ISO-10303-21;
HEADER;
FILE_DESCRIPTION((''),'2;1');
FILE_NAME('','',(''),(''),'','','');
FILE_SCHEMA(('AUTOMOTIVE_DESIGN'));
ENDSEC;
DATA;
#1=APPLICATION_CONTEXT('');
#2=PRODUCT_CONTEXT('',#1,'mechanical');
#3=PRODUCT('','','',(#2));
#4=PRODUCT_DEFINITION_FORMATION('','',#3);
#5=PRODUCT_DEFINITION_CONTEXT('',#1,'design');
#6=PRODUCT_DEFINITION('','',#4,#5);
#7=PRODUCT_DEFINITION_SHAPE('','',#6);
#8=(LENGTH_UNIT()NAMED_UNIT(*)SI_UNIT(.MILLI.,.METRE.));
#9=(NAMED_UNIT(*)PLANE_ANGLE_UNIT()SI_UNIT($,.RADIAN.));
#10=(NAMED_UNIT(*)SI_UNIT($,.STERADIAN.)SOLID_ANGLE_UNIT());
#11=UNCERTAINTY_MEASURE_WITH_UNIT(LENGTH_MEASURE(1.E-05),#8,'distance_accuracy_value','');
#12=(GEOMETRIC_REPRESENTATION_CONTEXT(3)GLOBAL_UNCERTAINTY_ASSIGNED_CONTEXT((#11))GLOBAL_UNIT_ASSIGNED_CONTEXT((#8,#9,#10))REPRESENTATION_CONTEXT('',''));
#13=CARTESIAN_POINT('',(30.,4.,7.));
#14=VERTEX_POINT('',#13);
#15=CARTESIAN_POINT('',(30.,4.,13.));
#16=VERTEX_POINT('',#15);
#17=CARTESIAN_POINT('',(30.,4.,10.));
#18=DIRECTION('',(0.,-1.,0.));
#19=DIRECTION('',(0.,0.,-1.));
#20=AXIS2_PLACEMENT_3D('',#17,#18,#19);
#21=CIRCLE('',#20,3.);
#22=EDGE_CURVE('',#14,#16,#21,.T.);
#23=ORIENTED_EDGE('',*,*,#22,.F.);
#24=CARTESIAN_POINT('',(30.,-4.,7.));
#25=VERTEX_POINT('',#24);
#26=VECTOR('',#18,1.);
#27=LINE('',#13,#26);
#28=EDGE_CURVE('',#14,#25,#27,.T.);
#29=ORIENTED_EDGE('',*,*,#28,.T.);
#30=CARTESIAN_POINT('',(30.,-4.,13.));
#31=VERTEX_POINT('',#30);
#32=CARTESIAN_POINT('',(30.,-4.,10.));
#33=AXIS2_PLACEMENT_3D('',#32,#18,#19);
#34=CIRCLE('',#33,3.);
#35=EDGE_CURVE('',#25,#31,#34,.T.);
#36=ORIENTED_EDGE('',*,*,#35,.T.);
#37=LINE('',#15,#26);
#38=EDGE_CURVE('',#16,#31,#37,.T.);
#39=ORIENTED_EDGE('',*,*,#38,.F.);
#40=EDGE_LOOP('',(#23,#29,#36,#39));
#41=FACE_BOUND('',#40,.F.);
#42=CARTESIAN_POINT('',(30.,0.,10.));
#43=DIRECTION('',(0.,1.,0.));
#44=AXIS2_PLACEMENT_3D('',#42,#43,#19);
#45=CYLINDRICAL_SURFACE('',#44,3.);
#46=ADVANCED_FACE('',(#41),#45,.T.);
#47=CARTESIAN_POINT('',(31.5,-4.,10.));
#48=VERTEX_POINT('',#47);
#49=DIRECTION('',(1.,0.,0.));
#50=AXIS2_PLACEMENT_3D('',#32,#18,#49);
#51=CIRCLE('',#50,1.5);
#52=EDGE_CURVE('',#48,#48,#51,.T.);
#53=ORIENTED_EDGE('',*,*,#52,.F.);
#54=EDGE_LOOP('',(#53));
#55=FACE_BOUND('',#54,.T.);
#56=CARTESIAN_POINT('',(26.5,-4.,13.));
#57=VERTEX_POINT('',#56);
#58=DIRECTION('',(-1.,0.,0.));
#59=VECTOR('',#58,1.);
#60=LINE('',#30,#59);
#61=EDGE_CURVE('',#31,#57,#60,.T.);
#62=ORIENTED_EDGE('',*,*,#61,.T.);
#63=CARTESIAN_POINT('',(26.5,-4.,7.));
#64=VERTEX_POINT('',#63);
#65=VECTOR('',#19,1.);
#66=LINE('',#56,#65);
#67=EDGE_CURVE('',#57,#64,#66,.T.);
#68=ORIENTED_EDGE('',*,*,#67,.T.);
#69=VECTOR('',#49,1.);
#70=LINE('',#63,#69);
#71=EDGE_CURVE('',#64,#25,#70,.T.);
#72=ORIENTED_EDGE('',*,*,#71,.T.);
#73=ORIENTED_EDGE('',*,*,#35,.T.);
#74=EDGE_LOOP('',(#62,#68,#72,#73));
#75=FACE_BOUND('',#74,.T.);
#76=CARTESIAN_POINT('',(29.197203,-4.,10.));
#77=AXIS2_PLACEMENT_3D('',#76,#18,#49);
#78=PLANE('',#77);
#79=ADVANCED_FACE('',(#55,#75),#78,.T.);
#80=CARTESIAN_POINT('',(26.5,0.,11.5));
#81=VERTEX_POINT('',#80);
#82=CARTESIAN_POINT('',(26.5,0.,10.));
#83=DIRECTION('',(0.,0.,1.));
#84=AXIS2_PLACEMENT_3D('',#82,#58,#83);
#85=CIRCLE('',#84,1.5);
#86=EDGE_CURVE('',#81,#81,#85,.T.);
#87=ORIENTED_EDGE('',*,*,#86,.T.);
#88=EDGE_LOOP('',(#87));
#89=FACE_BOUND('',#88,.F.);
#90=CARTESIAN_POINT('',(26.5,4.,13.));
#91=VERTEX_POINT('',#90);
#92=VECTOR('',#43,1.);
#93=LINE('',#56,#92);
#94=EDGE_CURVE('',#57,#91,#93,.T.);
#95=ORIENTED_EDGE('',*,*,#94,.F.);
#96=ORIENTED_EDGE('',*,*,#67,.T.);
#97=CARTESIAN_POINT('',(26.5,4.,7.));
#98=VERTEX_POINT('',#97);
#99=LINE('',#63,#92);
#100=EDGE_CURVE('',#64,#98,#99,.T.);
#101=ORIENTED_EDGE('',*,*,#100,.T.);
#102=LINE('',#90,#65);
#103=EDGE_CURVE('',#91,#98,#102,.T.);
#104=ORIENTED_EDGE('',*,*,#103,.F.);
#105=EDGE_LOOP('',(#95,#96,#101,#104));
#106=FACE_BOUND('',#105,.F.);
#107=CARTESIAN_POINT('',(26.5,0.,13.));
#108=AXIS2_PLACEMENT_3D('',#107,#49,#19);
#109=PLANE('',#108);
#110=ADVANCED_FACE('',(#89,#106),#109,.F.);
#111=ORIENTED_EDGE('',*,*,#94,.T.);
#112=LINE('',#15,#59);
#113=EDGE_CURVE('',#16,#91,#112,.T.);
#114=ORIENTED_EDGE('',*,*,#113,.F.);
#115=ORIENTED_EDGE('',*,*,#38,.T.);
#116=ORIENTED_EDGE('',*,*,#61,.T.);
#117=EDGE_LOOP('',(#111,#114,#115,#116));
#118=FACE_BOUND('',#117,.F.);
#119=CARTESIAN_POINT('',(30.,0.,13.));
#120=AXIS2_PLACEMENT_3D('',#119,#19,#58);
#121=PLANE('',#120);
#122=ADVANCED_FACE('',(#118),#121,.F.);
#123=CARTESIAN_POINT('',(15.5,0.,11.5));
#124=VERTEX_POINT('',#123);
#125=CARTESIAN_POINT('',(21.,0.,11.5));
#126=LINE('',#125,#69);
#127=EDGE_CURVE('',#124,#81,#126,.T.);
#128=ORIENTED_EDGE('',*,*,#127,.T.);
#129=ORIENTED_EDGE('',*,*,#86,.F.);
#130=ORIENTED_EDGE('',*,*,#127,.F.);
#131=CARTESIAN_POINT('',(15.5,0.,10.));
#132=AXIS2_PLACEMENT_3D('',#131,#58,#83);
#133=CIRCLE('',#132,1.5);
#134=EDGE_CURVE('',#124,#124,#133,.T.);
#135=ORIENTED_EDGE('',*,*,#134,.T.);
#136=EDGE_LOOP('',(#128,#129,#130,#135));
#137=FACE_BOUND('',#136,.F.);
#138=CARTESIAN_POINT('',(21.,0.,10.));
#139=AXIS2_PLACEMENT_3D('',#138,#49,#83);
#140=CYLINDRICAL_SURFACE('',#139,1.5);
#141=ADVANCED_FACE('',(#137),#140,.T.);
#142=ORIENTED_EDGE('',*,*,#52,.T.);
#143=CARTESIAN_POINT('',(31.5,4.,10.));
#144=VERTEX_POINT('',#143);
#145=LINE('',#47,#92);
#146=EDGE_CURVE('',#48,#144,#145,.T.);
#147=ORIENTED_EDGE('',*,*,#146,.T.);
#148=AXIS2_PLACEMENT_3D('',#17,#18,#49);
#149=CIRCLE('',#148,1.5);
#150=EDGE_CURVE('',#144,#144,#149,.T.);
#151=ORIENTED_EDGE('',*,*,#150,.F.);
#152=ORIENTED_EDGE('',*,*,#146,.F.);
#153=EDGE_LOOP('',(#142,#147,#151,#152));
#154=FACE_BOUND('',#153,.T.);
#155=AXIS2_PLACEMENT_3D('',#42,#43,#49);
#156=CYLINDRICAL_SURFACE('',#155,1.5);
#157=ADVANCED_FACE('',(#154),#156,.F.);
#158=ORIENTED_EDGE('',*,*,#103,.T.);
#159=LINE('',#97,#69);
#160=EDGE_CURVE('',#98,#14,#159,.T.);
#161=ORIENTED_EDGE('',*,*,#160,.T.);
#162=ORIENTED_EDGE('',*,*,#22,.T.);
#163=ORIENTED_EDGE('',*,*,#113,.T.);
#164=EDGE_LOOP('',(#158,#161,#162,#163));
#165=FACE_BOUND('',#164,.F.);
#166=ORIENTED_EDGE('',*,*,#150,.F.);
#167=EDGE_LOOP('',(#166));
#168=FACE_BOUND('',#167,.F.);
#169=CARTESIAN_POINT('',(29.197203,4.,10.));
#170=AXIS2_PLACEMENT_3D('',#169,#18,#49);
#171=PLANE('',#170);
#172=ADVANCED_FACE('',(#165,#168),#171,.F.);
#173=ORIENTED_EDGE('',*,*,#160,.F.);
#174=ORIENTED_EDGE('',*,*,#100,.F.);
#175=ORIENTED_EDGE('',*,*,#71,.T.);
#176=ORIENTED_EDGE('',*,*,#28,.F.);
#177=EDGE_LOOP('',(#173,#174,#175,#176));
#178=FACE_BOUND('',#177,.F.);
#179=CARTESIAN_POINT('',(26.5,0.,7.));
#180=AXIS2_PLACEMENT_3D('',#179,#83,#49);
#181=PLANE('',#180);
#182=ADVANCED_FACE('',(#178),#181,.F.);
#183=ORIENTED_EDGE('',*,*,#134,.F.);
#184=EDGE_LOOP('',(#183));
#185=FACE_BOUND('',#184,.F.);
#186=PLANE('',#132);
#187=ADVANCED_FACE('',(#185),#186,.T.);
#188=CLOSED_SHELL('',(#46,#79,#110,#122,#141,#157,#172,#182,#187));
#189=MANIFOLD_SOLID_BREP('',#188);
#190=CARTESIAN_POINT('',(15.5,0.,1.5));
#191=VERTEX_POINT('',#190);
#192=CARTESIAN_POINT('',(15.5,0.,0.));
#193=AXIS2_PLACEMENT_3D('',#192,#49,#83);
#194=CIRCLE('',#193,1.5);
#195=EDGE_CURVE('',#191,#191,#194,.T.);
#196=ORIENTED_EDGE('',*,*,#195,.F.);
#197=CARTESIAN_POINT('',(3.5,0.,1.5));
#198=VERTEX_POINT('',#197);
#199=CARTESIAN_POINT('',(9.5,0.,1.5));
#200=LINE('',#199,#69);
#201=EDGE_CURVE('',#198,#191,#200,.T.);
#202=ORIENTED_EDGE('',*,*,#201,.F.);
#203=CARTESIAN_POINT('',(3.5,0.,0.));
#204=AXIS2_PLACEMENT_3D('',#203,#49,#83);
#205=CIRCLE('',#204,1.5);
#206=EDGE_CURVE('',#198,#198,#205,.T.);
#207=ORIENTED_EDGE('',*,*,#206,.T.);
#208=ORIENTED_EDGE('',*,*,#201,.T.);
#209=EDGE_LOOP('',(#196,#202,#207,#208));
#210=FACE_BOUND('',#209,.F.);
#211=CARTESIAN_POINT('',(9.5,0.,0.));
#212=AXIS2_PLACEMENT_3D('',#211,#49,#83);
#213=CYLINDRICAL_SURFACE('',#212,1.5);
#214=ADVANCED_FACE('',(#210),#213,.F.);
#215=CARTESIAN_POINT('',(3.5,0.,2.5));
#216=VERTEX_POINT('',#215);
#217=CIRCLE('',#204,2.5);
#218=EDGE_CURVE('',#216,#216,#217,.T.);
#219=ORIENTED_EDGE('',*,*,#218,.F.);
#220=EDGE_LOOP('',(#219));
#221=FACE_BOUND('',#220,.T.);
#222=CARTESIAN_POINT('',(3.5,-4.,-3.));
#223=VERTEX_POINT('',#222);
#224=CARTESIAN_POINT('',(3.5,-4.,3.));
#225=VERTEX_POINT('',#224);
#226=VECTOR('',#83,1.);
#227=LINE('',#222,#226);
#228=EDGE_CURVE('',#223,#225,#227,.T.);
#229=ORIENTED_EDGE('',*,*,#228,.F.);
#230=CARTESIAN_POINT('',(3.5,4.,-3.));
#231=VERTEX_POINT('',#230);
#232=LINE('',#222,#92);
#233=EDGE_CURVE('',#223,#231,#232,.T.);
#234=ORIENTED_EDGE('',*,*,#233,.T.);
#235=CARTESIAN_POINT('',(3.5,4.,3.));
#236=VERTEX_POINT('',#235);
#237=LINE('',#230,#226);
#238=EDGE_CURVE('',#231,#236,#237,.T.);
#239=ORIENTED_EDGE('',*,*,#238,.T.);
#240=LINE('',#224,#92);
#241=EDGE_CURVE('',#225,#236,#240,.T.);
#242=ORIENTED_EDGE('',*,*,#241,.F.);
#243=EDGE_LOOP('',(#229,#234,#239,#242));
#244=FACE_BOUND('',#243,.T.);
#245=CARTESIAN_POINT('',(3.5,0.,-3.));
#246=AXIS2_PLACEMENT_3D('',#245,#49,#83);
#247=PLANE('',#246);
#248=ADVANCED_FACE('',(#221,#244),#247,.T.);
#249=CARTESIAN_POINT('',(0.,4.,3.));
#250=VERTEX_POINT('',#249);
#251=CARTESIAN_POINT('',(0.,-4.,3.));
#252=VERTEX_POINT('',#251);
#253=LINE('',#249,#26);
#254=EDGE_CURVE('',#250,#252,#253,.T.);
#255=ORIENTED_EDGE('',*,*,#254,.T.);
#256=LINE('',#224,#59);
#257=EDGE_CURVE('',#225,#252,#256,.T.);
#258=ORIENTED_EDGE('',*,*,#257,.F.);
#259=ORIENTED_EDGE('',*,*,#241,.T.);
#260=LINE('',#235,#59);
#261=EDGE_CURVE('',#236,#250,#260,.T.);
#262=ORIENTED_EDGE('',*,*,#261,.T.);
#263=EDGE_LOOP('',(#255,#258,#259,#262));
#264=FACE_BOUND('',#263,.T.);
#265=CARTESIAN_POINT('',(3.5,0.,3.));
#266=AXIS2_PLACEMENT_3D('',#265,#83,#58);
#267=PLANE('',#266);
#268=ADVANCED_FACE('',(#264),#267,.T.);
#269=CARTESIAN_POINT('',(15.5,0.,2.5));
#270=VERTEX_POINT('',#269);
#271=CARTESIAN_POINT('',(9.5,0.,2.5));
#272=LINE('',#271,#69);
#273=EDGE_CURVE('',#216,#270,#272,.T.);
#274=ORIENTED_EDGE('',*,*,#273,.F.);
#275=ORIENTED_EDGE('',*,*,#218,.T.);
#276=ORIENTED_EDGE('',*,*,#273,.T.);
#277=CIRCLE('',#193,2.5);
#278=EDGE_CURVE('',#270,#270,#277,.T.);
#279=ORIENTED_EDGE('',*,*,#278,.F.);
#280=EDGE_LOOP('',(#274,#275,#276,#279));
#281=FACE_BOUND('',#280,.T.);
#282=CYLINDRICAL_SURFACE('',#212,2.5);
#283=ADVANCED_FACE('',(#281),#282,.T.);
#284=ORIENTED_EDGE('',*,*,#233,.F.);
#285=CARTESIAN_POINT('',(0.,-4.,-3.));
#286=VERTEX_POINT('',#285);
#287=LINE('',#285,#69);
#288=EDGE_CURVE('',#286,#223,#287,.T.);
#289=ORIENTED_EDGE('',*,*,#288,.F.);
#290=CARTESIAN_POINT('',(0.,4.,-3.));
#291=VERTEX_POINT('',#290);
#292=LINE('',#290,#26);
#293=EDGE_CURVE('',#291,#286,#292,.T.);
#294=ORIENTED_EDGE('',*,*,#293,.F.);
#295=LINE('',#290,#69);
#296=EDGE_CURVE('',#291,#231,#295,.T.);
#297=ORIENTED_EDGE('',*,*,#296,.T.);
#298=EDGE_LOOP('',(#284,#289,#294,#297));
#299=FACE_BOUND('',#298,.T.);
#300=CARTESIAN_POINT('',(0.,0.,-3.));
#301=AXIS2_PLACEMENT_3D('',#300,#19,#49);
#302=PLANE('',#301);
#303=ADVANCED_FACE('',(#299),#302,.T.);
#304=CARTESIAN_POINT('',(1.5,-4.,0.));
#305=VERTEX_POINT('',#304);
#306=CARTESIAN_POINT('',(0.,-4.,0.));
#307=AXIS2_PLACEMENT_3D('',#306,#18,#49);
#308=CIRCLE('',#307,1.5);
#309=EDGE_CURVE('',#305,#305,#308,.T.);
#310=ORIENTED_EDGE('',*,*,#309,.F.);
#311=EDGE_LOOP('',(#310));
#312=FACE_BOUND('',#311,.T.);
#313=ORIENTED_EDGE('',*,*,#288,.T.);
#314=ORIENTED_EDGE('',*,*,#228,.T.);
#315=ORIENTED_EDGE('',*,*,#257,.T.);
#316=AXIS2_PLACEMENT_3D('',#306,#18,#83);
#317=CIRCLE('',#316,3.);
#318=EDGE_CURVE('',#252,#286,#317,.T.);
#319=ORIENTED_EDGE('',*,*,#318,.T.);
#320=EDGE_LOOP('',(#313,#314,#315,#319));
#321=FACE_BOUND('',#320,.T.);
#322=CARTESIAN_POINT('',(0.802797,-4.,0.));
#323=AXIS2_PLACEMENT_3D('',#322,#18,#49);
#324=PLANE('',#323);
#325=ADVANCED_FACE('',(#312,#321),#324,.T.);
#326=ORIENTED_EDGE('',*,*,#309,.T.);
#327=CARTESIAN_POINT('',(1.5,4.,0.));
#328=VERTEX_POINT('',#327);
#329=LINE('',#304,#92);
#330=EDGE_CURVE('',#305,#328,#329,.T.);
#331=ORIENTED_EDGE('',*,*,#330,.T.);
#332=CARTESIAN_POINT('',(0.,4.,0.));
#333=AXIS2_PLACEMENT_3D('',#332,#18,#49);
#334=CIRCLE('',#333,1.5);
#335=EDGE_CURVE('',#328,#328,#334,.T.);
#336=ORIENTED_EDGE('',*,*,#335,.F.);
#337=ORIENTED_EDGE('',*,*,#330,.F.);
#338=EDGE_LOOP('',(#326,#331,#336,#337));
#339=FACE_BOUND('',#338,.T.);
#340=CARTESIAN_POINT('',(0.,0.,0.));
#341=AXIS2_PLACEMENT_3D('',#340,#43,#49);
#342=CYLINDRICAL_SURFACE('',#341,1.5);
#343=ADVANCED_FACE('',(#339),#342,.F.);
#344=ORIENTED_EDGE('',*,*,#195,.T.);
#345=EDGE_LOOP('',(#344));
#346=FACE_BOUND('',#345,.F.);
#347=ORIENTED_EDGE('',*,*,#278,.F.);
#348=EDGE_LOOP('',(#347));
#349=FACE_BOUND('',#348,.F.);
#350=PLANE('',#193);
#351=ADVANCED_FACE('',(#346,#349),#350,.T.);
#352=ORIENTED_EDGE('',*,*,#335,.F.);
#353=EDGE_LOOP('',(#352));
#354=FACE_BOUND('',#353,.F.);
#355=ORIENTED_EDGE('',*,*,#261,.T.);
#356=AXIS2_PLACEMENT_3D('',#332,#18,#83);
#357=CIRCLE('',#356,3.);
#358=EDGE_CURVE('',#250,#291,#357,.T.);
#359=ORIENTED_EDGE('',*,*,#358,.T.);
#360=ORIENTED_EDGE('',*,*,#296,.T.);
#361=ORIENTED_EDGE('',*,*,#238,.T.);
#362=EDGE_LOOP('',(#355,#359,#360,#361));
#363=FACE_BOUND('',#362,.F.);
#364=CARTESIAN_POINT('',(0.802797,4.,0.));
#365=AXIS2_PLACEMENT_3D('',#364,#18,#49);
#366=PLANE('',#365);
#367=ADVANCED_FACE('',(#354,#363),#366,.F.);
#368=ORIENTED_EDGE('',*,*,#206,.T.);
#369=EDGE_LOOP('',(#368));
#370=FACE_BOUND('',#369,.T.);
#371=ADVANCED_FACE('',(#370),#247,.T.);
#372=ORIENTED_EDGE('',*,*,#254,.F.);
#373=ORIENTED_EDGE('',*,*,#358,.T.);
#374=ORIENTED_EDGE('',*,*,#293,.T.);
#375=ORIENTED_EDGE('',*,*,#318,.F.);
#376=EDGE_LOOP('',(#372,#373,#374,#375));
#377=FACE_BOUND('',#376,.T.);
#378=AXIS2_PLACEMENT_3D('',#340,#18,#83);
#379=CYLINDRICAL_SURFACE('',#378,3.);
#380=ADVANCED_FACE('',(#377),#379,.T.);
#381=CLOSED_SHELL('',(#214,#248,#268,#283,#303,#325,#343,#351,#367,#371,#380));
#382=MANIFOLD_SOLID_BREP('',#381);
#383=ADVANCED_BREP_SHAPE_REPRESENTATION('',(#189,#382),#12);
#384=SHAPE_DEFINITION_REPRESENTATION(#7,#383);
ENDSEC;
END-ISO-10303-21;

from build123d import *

# Parameters (mm, degrees)
F0_R     = 1.5
F1_DEPTH = 4
F0_W     = 12
F0_H     = 1
F0_W_2   = 11
F0_H_2   = 1.5


with BuildPart() as f1:
    # F0 (on Front) → F1 (new body, symmetric)
    with BuildSketch(Plane.XZ):
        with BuildLine():
            Line((26.5, 7), (30, 7))
            ThreePointArc((30, 7), (33, 10), (30, 13))
            Line((30, 13), (26.5, 13))
            Line((26.5, 13), (26.5, 11.5))
            Line((26.5, 11.5), (26.5, 10))
            Line((26.5, 10), (26.5, 7))
        make_face()
        with Locations((30, 10)):
            Circle(F0_R, mode=Mode.SUBTRACT)
        with BuildLine():
            Line((3.5, 3), (0, 3))
            ThreePointArc((0, 3), (-3, 0), (0, -3))
            Line((0, -3), (3.5, -3))
            Line((3.5, -3), (3.5, 1.5))
            Line((3.5, 1.5), (3.5, 2.5))
            Line((3.5, 2.5), (3.5, 3))
        make_face()
        Circle(F0_R, mode=Mode.SUBTRACT)
    extrude(amount=F1_DEPTH, both=True)

    # F0 (on Front) → F2 (revolve)
    with BuildSketch(Plane.XZ):
        with Locations((9.5, 2)):
            Rectangle(F0_W, F0_H)
    revolve(axis=Axis((20.655512, 0, 0), (1, 0, 0)))

    # F0 (on Front) → F3 (revolve)
    with BuildSketch(Plane.XZ):
        with Locations((21, 10.75)):
            Rectangle(F0_W_2, F0_H_2)
    revolve(axis=Axis((21, 0, 10), (-1, 0, 0)))


solid = f1.part
